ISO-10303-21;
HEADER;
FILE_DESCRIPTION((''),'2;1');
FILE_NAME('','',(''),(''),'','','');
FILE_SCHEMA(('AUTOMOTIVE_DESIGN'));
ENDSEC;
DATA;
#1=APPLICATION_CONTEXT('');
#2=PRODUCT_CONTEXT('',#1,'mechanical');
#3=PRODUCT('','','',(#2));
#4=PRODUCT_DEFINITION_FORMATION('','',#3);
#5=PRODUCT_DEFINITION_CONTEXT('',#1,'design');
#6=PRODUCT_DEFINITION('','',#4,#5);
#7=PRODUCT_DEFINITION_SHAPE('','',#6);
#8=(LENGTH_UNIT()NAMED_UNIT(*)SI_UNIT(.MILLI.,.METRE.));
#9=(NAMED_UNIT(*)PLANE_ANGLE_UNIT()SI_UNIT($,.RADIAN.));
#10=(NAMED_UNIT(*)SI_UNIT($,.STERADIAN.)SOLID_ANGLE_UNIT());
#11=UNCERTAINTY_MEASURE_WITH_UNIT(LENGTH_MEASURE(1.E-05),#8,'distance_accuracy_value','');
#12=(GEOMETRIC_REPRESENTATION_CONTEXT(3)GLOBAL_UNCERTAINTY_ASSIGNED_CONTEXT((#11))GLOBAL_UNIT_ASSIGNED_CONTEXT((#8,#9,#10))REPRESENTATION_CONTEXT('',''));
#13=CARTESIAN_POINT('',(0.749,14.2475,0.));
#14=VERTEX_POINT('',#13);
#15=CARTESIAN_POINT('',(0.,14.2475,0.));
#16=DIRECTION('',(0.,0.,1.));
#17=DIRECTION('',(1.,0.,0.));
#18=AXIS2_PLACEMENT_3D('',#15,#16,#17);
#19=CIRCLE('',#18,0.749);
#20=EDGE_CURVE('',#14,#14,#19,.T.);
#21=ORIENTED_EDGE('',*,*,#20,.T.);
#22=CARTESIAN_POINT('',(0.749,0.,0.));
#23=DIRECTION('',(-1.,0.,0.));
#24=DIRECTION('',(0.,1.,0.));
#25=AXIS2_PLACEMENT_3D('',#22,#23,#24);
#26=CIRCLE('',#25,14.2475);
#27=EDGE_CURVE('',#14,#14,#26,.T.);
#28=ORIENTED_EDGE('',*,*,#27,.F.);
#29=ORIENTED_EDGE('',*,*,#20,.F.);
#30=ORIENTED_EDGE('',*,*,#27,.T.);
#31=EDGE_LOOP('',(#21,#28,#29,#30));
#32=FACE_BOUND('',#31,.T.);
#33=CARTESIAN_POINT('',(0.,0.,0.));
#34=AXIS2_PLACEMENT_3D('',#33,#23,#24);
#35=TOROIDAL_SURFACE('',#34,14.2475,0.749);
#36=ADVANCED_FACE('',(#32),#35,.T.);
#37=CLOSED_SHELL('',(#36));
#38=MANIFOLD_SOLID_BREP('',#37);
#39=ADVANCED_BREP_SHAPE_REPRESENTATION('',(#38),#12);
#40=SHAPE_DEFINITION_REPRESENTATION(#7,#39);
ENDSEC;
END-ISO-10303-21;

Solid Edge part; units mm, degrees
sketch "Sketch1" plane through (0, 0, 0) normal (0, 0, 1) x (1, 0, 0)
  circle A0 centre (0, 14.2475) radius 0.749
revolve "RevolvedProtrusion1" add sketch "Sketch1" angle 360 about axis through (1, 0, 0) along (-1, 0, 0)
properties part number "TRAB002502"
